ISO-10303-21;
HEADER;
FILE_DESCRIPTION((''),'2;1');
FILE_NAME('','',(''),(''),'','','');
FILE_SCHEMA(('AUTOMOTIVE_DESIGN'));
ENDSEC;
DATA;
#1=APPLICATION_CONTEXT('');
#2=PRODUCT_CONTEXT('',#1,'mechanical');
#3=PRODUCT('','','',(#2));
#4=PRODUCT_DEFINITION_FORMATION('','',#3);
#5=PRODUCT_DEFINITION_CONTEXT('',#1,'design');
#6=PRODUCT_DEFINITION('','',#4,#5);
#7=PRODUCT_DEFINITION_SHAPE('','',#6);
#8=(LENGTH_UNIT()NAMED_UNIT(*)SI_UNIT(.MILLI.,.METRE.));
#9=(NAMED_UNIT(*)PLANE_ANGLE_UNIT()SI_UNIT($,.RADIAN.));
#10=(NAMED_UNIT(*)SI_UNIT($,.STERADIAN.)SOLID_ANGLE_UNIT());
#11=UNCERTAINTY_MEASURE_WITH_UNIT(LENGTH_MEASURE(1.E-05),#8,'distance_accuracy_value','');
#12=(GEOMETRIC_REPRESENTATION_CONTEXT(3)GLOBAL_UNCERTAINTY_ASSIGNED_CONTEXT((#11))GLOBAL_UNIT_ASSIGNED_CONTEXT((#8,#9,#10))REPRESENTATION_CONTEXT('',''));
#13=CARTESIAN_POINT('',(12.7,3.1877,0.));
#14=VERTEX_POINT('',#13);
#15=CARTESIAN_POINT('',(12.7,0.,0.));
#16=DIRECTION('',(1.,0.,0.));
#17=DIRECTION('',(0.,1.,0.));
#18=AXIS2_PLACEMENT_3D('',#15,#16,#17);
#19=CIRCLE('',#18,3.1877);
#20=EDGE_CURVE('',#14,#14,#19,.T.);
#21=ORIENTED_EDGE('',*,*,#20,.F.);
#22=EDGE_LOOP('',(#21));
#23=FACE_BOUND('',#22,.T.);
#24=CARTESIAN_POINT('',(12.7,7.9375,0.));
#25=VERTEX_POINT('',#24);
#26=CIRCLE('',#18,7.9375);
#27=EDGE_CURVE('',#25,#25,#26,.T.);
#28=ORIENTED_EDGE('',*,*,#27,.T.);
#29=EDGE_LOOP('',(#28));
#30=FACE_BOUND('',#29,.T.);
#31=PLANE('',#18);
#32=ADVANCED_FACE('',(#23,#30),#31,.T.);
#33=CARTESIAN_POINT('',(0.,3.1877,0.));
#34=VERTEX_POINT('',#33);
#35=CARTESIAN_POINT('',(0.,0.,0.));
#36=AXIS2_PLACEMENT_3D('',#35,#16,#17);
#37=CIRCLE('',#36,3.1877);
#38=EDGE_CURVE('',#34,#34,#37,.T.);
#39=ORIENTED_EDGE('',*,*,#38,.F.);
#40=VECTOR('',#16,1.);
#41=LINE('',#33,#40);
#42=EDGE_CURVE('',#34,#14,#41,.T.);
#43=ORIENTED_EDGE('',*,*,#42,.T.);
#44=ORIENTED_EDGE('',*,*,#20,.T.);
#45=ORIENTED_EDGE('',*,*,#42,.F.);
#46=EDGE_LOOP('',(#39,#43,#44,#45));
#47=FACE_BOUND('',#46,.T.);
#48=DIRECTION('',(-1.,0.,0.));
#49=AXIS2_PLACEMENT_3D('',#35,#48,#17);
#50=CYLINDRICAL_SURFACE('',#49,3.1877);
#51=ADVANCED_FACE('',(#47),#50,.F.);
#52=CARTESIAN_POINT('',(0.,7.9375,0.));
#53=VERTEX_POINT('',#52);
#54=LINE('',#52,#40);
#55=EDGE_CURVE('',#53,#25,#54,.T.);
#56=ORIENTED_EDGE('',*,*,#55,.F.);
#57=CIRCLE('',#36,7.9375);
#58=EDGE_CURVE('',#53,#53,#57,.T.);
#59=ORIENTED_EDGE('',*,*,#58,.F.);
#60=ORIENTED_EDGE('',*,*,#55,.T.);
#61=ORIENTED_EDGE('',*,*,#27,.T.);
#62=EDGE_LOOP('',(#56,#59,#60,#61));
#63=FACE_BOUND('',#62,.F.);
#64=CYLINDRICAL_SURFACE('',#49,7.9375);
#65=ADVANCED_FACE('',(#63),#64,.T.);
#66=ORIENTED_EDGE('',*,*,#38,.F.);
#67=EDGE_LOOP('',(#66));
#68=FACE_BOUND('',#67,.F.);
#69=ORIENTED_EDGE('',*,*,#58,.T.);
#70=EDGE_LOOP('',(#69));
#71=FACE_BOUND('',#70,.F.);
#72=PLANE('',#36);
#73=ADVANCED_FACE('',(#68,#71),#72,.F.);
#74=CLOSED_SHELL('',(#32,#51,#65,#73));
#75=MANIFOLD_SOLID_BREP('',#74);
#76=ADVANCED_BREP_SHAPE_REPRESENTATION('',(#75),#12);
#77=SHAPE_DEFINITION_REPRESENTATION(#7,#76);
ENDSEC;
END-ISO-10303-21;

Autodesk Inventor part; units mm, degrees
ref_plane "YZ Plane" through (0, 0, 0) normal (1, 0, 0) x (0, 1, 0)
ref_plane "XZ Plane" through (0, 0, 0) normal (0, 1, 0) x (-1, 0, 0)
ref_plane "XY Plane" through (0, 0, 0) normal (0, 0, 1) x (1, 0, 0)
sketch "Sketch1" plane through (0, 0, 0) normal (1, 0, 0) x (0, 1, 0)
  circle A0 centre (0, 0) radius 3.1877
  circle A1 centre (0, 0) radius 7.9375
  dimension "d0" = 6.3754
  dimension "d1" = 15.875
extrude "Extrusion1" add sketch "Sketch1" along normal blind 12.7
properties part number "Shovel_CylinderMountSpacer" material "Aluminum-6061-AHC"
